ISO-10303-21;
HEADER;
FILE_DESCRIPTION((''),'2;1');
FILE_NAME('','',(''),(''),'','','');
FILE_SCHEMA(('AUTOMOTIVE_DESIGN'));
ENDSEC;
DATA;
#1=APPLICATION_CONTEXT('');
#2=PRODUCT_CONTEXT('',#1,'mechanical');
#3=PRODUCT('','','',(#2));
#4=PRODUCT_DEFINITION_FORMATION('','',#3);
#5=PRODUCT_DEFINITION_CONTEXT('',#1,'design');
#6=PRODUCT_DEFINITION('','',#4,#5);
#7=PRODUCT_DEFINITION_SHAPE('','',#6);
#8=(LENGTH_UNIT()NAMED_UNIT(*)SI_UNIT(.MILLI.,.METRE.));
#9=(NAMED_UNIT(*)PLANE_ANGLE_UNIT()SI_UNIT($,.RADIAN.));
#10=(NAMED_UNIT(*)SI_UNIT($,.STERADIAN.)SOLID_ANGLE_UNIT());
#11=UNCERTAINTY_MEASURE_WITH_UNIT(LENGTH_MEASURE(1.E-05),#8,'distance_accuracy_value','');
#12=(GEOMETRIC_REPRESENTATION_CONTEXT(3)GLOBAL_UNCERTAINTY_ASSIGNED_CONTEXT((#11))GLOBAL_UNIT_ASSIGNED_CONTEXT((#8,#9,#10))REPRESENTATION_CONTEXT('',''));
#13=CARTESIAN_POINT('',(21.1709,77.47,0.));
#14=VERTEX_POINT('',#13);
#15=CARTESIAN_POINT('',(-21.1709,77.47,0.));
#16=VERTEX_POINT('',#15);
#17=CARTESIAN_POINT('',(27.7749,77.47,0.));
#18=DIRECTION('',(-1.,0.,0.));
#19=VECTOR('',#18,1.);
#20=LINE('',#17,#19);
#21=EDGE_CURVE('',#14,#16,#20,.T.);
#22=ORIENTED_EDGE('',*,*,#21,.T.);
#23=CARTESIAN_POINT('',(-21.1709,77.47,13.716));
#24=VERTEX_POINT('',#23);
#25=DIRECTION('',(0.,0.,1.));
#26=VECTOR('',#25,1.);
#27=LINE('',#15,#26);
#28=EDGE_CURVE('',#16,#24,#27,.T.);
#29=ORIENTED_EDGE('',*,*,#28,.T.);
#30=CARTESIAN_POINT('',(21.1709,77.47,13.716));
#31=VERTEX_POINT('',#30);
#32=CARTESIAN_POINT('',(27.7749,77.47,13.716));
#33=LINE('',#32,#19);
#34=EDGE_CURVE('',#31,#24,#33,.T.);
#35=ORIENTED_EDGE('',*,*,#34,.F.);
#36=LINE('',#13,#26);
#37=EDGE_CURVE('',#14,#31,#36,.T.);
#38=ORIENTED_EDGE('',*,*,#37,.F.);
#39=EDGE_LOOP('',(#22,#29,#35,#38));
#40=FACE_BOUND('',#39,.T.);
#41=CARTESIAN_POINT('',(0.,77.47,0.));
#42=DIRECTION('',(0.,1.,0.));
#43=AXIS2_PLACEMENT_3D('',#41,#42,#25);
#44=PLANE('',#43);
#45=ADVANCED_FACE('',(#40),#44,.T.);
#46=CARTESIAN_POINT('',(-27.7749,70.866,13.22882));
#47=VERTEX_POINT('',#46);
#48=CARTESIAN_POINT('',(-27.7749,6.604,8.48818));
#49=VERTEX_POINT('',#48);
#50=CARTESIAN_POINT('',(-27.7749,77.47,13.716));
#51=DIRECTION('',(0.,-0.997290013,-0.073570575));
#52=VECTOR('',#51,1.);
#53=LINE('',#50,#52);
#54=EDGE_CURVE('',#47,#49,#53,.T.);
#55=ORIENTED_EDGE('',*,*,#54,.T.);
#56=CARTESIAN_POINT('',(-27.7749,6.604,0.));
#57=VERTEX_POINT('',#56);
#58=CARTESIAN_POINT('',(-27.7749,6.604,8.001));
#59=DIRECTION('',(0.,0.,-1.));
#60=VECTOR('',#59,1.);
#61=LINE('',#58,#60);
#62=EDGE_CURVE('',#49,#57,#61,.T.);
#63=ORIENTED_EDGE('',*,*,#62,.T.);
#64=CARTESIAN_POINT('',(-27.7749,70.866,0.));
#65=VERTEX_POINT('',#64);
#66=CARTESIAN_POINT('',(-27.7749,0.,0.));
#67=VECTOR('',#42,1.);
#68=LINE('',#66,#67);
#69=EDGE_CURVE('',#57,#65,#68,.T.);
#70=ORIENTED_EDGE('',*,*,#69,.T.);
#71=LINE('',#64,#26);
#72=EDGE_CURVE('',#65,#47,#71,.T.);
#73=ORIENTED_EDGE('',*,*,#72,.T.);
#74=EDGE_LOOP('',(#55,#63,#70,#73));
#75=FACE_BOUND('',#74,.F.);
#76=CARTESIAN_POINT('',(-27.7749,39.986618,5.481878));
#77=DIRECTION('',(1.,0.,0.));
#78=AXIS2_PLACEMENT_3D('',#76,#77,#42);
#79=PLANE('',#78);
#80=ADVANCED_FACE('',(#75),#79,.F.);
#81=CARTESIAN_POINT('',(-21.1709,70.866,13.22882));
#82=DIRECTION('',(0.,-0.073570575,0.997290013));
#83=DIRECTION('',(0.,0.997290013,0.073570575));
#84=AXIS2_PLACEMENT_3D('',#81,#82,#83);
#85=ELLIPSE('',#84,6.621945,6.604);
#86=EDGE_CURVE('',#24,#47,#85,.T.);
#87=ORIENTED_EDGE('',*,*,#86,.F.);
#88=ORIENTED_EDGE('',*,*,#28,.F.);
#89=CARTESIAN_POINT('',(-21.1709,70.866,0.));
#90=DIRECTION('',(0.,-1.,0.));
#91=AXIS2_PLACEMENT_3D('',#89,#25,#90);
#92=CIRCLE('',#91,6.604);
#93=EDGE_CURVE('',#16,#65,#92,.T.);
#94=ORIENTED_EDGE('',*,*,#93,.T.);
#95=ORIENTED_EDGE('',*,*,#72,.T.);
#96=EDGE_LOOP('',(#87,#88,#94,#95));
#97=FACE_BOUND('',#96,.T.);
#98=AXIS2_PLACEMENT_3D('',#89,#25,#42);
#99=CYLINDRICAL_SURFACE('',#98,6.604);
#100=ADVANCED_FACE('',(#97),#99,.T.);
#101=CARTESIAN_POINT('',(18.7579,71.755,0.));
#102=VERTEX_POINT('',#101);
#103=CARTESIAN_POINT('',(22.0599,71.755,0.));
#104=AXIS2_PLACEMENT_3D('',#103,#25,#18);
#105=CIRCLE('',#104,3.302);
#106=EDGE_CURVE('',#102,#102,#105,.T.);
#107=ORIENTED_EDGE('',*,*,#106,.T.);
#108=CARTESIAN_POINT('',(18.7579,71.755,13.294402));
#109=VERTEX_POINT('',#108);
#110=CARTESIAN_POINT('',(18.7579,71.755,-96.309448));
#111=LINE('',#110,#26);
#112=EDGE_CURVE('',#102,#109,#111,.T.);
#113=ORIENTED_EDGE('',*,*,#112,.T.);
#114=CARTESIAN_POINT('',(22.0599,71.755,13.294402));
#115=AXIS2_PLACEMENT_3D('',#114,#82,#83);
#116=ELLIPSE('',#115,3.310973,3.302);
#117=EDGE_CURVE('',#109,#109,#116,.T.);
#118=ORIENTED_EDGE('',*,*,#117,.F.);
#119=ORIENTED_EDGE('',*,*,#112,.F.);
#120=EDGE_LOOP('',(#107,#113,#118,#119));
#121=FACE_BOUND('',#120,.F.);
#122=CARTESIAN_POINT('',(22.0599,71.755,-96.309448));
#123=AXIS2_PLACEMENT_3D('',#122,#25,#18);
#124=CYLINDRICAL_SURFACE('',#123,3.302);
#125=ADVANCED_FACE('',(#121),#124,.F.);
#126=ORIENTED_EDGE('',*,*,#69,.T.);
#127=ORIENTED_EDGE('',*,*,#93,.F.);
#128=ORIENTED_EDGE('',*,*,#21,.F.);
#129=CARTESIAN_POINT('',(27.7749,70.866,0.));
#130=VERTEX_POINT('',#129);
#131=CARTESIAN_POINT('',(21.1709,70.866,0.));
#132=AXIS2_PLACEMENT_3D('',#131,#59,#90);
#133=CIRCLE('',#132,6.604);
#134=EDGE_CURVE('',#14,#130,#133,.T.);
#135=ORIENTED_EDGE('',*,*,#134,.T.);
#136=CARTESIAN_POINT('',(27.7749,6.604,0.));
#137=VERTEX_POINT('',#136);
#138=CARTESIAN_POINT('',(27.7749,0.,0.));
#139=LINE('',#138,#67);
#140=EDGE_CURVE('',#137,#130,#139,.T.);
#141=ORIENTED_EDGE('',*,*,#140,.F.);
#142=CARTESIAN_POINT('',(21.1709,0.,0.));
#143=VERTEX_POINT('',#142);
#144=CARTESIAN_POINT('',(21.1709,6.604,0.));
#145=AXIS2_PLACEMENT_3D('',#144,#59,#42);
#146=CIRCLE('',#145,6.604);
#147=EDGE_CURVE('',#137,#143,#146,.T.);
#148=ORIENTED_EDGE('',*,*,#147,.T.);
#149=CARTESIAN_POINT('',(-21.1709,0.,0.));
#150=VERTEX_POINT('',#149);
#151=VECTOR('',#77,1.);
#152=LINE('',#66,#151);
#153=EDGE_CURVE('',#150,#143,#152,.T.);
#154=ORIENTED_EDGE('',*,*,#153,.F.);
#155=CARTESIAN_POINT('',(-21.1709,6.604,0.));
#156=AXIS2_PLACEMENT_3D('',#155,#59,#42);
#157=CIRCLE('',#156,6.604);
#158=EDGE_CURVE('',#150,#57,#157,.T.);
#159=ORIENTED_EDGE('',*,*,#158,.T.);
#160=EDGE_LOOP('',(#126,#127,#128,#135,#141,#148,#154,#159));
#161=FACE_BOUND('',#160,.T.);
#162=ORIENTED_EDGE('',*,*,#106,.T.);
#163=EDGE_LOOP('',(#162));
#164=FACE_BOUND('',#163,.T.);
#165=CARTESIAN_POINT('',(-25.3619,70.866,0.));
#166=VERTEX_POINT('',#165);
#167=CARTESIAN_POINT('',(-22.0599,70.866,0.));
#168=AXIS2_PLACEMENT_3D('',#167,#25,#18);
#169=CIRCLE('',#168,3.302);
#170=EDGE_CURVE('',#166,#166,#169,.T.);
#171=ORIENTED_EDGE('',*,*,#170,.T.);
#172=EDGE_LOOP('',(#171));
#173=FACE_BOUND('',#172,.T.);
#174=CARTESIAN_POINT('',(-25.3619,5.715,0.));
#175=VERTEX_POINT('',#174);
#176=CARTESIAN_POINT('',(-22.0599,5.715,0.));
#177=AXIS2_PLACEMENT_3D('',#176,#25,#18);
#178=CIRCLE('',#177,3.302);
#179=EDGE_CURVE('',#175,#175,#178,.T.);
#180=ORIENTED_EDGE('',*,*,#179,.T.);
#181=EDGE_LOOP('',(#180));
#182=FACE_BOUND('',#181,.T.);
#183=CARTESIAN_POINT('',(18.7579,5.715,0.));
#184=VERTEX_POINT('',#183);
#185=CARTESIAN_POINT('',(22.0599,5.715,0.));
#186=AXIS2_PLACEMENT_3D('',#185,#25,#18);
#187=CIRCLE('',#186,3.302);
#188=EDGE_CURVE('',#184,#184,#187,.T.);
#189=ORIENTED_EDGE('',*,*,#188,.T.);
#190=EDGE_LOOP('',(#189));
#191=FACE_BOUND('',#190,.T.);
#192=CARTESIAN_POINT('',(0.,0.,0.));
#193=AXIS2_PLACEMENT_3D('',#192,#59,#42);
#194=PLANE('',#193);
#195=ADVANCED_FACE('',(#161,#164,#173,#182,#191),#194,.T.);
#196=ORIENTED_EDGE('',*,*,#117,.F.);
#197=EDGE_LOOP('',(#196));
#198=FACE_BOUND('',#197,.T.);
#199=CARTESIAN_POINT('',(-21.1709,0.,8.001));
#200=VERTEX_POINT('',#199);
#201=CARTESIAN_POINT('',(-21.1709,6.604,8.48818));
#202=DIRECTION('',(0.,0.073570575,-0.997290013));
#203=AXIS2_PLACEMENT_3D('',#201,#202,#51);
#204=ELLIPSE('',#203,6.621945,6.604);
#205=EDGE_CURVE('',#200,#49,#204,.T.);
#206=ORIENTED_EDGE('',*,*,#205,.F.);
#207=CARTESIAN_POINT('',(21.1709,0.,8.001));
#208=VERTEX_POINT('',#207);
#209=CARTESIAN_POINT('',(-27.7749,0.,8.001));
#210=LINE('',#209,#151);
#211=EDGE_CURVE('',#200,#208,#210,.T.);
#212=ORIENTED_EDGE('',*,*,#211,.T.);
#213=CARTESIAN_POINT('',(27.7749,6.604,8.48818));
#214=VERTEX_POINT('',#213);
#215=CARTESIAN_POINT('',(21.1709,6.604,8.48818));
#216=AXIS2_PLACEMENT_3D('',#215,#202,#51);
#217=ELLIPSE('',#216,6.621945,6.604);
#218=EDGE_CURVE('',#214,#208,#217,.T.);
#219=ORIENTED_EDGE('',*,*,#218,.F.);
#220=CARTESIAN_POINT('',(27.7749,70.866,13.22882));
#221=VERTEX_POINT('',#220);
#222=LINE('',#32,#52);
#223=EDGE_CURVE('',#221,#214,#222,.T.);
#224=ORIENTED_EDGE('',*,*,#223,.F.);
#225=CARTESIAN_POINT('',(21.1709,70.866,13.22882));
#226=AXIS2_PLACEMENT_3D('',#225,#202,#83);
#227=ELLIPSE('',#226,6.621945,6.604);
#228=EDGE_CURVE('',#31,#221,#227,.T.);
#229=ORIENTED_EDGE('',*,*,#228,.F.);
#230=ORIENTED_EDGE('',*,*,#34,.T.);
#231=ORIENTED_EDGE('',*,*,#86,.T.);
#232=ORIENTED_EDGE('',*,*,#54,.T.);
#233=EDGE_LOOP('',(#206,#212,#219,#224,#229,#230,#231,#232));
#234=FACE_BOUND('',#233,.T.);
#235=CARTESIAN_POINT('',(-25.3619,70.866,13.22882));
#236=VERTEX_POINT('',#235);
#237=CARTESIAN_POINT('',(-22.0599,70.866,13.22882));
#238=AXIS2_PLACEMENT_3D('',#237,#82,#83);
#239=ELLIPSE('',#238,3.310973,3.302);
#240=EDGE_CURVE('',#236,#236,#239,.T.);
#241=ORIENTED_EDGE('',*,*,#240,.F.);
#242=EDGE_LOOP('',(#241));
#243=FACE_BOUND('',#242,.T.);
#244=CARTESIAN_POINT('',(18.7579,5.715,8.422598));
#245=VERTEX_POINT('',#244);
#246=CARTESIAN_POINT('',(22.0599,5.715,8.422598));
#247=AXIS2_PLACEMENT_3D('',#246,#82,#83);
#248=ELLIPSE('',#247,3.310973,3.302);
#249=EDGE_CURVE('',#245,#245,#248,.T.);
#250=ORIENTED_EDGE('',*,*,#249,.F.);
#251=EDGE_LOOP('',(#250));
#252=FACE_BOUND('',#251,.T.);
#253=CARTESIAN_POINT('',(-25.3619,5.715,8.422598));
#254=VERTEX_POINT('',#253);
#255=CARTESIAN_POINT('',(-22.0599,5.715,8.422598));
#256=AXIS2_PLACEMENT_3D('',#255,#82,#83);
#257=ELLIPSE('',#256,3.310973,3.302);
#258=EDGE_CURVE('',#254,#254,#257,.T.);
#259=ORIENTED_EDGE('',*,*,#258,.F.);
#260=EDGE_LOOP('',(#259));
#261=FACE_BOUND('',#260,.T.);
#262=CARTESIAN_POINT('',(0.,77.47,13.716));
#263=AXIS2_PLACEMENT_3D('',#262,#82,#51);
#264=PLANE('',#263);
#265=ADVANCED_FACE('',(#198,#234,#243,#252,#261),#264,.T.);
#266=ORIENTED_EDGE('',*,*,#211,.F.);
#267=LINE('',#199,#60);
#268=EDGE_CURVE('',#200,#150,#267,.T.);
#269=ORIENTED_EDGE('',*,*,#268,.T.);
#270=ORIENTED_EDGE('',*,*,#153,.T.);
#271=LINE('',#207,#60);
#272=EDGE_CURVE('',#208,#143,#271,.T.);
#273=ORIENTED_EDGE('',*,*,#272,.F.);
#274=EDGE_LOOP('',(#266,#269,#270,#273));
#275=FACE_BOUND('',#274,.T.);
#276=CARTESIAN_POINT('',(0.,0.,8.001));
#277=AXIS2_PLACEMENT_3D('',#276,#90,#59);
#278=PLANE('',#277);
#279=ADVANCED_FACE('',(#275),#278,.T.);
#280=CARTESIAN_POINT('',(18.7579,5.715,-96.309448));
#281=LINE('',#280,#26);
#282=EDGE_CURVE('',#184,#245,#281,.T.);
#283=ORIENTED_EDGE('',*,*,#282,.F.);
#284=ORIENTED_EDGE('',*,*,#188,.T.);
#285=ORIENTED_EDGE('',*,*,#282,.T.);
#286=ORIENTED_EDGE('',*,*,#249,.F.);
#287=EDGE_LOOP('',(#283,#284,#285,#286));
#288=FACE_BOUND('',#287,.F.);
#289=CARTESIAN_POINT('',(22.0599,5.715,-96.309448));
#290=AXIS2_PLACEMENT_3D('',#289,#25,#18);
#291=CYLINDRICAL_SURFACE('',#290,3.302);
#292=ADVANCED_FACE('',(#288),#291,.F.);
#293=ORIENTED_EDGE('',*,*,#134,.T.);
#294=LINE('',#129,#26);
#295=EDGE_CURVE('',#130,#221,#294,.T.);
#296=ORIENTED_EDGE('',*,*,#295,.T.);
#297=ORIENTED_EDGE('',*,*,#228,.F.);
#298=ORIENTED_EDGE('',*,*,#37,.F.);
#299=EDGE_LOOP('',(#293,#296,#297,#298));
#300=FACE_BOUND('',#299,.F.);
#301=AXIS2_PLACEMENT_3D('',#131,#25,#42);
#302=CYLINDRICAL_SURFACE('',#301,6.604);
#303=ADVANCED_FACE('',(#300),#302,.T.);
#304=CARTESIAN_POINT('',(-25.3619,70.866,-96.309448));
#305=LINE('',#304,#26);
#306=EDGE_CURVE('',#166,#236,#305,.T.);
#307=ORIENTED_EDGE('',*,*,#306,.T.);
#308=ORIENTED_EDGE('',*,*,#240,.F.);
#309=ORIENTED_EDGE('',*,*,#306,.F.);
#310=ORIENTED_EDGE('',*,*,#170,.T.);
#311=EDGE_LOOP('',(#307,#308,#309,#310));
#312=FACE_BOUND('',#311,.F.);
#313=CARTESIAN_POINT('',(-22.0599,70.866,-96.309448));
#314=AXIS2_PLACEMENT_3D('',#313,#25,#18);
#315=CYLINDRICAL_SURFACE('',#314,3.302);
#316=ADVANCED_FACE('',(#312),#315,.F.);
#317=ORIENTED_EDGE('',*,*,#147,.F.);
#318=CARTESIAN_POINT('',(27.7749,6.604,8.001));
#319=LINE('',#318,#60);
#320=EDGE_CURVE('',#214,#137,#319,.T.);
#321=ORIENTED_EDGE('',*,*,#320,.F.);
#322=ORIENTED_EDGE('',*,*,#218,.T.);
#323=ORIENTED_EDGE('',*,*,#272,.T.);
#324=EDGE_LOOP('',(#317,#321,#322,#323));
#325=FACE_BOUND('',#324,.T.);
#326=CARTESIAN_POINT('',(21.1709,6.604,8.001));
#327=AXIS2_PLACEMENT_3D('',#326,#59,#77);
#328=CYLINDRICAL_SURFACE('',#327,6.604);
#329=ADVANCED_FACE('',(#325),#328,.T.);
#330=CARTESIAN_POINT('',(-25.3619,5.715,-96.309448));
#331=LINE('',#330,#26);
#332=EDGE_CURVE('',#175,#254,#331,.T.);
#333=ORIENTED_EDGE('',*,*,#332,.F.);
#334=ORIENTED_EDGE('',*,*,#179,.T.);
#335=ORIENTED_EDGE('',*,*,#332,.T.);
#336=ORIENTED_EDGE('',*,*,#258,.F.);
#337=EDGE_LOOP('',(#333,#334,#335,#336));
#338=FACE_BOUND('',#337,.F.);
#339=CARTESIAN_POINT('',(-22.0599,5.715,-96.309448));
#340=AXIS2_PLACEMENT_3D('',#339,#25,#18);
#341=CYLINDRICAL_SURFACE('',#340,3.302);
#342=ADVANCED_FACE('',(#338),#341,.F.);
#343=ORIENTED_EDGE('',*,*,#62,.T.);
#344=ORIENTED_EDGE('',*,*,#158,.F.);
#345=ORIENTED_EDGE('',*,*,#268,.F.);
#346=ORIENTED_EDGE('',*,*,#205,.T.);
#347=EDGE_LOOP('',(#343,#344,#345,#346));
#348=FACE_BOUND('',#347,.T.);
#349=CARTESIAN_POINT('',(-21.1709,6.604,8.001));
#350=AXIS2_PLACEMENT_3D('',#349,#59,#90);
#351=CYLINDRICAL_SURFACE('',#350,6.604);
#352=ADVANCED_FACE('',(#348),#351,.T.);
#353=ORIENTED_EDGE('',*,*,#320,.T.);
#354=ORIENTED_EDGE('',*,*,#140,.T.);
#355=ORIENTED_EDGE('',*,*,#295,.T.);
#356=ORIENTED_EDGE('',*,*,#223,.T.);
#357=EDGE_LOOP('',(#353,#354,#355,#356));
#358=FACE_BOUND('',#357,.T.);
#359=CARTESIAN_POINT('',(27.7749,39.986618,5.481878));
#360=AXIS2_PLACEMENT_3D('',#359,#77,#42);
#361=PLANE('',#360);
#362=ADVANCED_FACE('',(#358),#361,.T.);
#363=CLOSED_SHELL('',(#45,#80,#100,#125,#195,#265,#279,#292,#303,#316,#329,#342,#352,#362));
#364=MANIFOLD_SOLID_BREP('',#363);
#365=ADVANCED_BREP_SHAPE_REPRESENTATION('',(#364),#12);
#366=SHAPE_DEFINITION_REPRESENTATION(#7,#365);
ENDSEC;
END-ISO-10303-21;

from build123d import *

# Parameters (mm, degrees)
F1_DEPTH = 27.7749
F2_R     = 6.604
F4_D     = 6.604


with BuildPart() as f1:
    # F0 (on Right) → F1 (new body, symmetric)
    with BuildSketch(Plane.YZ):
        Polygon((77.47, 13.716), (0, 8.001), (0, 0), (77.47, 0), align=None)
    extrude(amount=F1_DEPTH, both=True)

    # F2
    f2_edges = [f1.edges().sort_by_distance(p)[0] for p in [
        (27.7749, 0, 4.0005),
        (27.7749, 77.47, 6.858),
        (-27.7749, 77.47, 6.858),
        (-27.7749, 0, 4.0005),
    ]]
    fillet(f2_edges, radius=F2_R)

    # F4 (through all)
    with Locations(Plane(origin=(0, 0, 0), x_dir=(1, 0, 0), z_dir=(0, 0, -1))):
        with Locations((22.0599, -5.715), (-22.0599, -5.715), (22.0599, -71.755), (-22.0599, -70.866)):
            Hole(F4_D / 2)


solid = f1.part
